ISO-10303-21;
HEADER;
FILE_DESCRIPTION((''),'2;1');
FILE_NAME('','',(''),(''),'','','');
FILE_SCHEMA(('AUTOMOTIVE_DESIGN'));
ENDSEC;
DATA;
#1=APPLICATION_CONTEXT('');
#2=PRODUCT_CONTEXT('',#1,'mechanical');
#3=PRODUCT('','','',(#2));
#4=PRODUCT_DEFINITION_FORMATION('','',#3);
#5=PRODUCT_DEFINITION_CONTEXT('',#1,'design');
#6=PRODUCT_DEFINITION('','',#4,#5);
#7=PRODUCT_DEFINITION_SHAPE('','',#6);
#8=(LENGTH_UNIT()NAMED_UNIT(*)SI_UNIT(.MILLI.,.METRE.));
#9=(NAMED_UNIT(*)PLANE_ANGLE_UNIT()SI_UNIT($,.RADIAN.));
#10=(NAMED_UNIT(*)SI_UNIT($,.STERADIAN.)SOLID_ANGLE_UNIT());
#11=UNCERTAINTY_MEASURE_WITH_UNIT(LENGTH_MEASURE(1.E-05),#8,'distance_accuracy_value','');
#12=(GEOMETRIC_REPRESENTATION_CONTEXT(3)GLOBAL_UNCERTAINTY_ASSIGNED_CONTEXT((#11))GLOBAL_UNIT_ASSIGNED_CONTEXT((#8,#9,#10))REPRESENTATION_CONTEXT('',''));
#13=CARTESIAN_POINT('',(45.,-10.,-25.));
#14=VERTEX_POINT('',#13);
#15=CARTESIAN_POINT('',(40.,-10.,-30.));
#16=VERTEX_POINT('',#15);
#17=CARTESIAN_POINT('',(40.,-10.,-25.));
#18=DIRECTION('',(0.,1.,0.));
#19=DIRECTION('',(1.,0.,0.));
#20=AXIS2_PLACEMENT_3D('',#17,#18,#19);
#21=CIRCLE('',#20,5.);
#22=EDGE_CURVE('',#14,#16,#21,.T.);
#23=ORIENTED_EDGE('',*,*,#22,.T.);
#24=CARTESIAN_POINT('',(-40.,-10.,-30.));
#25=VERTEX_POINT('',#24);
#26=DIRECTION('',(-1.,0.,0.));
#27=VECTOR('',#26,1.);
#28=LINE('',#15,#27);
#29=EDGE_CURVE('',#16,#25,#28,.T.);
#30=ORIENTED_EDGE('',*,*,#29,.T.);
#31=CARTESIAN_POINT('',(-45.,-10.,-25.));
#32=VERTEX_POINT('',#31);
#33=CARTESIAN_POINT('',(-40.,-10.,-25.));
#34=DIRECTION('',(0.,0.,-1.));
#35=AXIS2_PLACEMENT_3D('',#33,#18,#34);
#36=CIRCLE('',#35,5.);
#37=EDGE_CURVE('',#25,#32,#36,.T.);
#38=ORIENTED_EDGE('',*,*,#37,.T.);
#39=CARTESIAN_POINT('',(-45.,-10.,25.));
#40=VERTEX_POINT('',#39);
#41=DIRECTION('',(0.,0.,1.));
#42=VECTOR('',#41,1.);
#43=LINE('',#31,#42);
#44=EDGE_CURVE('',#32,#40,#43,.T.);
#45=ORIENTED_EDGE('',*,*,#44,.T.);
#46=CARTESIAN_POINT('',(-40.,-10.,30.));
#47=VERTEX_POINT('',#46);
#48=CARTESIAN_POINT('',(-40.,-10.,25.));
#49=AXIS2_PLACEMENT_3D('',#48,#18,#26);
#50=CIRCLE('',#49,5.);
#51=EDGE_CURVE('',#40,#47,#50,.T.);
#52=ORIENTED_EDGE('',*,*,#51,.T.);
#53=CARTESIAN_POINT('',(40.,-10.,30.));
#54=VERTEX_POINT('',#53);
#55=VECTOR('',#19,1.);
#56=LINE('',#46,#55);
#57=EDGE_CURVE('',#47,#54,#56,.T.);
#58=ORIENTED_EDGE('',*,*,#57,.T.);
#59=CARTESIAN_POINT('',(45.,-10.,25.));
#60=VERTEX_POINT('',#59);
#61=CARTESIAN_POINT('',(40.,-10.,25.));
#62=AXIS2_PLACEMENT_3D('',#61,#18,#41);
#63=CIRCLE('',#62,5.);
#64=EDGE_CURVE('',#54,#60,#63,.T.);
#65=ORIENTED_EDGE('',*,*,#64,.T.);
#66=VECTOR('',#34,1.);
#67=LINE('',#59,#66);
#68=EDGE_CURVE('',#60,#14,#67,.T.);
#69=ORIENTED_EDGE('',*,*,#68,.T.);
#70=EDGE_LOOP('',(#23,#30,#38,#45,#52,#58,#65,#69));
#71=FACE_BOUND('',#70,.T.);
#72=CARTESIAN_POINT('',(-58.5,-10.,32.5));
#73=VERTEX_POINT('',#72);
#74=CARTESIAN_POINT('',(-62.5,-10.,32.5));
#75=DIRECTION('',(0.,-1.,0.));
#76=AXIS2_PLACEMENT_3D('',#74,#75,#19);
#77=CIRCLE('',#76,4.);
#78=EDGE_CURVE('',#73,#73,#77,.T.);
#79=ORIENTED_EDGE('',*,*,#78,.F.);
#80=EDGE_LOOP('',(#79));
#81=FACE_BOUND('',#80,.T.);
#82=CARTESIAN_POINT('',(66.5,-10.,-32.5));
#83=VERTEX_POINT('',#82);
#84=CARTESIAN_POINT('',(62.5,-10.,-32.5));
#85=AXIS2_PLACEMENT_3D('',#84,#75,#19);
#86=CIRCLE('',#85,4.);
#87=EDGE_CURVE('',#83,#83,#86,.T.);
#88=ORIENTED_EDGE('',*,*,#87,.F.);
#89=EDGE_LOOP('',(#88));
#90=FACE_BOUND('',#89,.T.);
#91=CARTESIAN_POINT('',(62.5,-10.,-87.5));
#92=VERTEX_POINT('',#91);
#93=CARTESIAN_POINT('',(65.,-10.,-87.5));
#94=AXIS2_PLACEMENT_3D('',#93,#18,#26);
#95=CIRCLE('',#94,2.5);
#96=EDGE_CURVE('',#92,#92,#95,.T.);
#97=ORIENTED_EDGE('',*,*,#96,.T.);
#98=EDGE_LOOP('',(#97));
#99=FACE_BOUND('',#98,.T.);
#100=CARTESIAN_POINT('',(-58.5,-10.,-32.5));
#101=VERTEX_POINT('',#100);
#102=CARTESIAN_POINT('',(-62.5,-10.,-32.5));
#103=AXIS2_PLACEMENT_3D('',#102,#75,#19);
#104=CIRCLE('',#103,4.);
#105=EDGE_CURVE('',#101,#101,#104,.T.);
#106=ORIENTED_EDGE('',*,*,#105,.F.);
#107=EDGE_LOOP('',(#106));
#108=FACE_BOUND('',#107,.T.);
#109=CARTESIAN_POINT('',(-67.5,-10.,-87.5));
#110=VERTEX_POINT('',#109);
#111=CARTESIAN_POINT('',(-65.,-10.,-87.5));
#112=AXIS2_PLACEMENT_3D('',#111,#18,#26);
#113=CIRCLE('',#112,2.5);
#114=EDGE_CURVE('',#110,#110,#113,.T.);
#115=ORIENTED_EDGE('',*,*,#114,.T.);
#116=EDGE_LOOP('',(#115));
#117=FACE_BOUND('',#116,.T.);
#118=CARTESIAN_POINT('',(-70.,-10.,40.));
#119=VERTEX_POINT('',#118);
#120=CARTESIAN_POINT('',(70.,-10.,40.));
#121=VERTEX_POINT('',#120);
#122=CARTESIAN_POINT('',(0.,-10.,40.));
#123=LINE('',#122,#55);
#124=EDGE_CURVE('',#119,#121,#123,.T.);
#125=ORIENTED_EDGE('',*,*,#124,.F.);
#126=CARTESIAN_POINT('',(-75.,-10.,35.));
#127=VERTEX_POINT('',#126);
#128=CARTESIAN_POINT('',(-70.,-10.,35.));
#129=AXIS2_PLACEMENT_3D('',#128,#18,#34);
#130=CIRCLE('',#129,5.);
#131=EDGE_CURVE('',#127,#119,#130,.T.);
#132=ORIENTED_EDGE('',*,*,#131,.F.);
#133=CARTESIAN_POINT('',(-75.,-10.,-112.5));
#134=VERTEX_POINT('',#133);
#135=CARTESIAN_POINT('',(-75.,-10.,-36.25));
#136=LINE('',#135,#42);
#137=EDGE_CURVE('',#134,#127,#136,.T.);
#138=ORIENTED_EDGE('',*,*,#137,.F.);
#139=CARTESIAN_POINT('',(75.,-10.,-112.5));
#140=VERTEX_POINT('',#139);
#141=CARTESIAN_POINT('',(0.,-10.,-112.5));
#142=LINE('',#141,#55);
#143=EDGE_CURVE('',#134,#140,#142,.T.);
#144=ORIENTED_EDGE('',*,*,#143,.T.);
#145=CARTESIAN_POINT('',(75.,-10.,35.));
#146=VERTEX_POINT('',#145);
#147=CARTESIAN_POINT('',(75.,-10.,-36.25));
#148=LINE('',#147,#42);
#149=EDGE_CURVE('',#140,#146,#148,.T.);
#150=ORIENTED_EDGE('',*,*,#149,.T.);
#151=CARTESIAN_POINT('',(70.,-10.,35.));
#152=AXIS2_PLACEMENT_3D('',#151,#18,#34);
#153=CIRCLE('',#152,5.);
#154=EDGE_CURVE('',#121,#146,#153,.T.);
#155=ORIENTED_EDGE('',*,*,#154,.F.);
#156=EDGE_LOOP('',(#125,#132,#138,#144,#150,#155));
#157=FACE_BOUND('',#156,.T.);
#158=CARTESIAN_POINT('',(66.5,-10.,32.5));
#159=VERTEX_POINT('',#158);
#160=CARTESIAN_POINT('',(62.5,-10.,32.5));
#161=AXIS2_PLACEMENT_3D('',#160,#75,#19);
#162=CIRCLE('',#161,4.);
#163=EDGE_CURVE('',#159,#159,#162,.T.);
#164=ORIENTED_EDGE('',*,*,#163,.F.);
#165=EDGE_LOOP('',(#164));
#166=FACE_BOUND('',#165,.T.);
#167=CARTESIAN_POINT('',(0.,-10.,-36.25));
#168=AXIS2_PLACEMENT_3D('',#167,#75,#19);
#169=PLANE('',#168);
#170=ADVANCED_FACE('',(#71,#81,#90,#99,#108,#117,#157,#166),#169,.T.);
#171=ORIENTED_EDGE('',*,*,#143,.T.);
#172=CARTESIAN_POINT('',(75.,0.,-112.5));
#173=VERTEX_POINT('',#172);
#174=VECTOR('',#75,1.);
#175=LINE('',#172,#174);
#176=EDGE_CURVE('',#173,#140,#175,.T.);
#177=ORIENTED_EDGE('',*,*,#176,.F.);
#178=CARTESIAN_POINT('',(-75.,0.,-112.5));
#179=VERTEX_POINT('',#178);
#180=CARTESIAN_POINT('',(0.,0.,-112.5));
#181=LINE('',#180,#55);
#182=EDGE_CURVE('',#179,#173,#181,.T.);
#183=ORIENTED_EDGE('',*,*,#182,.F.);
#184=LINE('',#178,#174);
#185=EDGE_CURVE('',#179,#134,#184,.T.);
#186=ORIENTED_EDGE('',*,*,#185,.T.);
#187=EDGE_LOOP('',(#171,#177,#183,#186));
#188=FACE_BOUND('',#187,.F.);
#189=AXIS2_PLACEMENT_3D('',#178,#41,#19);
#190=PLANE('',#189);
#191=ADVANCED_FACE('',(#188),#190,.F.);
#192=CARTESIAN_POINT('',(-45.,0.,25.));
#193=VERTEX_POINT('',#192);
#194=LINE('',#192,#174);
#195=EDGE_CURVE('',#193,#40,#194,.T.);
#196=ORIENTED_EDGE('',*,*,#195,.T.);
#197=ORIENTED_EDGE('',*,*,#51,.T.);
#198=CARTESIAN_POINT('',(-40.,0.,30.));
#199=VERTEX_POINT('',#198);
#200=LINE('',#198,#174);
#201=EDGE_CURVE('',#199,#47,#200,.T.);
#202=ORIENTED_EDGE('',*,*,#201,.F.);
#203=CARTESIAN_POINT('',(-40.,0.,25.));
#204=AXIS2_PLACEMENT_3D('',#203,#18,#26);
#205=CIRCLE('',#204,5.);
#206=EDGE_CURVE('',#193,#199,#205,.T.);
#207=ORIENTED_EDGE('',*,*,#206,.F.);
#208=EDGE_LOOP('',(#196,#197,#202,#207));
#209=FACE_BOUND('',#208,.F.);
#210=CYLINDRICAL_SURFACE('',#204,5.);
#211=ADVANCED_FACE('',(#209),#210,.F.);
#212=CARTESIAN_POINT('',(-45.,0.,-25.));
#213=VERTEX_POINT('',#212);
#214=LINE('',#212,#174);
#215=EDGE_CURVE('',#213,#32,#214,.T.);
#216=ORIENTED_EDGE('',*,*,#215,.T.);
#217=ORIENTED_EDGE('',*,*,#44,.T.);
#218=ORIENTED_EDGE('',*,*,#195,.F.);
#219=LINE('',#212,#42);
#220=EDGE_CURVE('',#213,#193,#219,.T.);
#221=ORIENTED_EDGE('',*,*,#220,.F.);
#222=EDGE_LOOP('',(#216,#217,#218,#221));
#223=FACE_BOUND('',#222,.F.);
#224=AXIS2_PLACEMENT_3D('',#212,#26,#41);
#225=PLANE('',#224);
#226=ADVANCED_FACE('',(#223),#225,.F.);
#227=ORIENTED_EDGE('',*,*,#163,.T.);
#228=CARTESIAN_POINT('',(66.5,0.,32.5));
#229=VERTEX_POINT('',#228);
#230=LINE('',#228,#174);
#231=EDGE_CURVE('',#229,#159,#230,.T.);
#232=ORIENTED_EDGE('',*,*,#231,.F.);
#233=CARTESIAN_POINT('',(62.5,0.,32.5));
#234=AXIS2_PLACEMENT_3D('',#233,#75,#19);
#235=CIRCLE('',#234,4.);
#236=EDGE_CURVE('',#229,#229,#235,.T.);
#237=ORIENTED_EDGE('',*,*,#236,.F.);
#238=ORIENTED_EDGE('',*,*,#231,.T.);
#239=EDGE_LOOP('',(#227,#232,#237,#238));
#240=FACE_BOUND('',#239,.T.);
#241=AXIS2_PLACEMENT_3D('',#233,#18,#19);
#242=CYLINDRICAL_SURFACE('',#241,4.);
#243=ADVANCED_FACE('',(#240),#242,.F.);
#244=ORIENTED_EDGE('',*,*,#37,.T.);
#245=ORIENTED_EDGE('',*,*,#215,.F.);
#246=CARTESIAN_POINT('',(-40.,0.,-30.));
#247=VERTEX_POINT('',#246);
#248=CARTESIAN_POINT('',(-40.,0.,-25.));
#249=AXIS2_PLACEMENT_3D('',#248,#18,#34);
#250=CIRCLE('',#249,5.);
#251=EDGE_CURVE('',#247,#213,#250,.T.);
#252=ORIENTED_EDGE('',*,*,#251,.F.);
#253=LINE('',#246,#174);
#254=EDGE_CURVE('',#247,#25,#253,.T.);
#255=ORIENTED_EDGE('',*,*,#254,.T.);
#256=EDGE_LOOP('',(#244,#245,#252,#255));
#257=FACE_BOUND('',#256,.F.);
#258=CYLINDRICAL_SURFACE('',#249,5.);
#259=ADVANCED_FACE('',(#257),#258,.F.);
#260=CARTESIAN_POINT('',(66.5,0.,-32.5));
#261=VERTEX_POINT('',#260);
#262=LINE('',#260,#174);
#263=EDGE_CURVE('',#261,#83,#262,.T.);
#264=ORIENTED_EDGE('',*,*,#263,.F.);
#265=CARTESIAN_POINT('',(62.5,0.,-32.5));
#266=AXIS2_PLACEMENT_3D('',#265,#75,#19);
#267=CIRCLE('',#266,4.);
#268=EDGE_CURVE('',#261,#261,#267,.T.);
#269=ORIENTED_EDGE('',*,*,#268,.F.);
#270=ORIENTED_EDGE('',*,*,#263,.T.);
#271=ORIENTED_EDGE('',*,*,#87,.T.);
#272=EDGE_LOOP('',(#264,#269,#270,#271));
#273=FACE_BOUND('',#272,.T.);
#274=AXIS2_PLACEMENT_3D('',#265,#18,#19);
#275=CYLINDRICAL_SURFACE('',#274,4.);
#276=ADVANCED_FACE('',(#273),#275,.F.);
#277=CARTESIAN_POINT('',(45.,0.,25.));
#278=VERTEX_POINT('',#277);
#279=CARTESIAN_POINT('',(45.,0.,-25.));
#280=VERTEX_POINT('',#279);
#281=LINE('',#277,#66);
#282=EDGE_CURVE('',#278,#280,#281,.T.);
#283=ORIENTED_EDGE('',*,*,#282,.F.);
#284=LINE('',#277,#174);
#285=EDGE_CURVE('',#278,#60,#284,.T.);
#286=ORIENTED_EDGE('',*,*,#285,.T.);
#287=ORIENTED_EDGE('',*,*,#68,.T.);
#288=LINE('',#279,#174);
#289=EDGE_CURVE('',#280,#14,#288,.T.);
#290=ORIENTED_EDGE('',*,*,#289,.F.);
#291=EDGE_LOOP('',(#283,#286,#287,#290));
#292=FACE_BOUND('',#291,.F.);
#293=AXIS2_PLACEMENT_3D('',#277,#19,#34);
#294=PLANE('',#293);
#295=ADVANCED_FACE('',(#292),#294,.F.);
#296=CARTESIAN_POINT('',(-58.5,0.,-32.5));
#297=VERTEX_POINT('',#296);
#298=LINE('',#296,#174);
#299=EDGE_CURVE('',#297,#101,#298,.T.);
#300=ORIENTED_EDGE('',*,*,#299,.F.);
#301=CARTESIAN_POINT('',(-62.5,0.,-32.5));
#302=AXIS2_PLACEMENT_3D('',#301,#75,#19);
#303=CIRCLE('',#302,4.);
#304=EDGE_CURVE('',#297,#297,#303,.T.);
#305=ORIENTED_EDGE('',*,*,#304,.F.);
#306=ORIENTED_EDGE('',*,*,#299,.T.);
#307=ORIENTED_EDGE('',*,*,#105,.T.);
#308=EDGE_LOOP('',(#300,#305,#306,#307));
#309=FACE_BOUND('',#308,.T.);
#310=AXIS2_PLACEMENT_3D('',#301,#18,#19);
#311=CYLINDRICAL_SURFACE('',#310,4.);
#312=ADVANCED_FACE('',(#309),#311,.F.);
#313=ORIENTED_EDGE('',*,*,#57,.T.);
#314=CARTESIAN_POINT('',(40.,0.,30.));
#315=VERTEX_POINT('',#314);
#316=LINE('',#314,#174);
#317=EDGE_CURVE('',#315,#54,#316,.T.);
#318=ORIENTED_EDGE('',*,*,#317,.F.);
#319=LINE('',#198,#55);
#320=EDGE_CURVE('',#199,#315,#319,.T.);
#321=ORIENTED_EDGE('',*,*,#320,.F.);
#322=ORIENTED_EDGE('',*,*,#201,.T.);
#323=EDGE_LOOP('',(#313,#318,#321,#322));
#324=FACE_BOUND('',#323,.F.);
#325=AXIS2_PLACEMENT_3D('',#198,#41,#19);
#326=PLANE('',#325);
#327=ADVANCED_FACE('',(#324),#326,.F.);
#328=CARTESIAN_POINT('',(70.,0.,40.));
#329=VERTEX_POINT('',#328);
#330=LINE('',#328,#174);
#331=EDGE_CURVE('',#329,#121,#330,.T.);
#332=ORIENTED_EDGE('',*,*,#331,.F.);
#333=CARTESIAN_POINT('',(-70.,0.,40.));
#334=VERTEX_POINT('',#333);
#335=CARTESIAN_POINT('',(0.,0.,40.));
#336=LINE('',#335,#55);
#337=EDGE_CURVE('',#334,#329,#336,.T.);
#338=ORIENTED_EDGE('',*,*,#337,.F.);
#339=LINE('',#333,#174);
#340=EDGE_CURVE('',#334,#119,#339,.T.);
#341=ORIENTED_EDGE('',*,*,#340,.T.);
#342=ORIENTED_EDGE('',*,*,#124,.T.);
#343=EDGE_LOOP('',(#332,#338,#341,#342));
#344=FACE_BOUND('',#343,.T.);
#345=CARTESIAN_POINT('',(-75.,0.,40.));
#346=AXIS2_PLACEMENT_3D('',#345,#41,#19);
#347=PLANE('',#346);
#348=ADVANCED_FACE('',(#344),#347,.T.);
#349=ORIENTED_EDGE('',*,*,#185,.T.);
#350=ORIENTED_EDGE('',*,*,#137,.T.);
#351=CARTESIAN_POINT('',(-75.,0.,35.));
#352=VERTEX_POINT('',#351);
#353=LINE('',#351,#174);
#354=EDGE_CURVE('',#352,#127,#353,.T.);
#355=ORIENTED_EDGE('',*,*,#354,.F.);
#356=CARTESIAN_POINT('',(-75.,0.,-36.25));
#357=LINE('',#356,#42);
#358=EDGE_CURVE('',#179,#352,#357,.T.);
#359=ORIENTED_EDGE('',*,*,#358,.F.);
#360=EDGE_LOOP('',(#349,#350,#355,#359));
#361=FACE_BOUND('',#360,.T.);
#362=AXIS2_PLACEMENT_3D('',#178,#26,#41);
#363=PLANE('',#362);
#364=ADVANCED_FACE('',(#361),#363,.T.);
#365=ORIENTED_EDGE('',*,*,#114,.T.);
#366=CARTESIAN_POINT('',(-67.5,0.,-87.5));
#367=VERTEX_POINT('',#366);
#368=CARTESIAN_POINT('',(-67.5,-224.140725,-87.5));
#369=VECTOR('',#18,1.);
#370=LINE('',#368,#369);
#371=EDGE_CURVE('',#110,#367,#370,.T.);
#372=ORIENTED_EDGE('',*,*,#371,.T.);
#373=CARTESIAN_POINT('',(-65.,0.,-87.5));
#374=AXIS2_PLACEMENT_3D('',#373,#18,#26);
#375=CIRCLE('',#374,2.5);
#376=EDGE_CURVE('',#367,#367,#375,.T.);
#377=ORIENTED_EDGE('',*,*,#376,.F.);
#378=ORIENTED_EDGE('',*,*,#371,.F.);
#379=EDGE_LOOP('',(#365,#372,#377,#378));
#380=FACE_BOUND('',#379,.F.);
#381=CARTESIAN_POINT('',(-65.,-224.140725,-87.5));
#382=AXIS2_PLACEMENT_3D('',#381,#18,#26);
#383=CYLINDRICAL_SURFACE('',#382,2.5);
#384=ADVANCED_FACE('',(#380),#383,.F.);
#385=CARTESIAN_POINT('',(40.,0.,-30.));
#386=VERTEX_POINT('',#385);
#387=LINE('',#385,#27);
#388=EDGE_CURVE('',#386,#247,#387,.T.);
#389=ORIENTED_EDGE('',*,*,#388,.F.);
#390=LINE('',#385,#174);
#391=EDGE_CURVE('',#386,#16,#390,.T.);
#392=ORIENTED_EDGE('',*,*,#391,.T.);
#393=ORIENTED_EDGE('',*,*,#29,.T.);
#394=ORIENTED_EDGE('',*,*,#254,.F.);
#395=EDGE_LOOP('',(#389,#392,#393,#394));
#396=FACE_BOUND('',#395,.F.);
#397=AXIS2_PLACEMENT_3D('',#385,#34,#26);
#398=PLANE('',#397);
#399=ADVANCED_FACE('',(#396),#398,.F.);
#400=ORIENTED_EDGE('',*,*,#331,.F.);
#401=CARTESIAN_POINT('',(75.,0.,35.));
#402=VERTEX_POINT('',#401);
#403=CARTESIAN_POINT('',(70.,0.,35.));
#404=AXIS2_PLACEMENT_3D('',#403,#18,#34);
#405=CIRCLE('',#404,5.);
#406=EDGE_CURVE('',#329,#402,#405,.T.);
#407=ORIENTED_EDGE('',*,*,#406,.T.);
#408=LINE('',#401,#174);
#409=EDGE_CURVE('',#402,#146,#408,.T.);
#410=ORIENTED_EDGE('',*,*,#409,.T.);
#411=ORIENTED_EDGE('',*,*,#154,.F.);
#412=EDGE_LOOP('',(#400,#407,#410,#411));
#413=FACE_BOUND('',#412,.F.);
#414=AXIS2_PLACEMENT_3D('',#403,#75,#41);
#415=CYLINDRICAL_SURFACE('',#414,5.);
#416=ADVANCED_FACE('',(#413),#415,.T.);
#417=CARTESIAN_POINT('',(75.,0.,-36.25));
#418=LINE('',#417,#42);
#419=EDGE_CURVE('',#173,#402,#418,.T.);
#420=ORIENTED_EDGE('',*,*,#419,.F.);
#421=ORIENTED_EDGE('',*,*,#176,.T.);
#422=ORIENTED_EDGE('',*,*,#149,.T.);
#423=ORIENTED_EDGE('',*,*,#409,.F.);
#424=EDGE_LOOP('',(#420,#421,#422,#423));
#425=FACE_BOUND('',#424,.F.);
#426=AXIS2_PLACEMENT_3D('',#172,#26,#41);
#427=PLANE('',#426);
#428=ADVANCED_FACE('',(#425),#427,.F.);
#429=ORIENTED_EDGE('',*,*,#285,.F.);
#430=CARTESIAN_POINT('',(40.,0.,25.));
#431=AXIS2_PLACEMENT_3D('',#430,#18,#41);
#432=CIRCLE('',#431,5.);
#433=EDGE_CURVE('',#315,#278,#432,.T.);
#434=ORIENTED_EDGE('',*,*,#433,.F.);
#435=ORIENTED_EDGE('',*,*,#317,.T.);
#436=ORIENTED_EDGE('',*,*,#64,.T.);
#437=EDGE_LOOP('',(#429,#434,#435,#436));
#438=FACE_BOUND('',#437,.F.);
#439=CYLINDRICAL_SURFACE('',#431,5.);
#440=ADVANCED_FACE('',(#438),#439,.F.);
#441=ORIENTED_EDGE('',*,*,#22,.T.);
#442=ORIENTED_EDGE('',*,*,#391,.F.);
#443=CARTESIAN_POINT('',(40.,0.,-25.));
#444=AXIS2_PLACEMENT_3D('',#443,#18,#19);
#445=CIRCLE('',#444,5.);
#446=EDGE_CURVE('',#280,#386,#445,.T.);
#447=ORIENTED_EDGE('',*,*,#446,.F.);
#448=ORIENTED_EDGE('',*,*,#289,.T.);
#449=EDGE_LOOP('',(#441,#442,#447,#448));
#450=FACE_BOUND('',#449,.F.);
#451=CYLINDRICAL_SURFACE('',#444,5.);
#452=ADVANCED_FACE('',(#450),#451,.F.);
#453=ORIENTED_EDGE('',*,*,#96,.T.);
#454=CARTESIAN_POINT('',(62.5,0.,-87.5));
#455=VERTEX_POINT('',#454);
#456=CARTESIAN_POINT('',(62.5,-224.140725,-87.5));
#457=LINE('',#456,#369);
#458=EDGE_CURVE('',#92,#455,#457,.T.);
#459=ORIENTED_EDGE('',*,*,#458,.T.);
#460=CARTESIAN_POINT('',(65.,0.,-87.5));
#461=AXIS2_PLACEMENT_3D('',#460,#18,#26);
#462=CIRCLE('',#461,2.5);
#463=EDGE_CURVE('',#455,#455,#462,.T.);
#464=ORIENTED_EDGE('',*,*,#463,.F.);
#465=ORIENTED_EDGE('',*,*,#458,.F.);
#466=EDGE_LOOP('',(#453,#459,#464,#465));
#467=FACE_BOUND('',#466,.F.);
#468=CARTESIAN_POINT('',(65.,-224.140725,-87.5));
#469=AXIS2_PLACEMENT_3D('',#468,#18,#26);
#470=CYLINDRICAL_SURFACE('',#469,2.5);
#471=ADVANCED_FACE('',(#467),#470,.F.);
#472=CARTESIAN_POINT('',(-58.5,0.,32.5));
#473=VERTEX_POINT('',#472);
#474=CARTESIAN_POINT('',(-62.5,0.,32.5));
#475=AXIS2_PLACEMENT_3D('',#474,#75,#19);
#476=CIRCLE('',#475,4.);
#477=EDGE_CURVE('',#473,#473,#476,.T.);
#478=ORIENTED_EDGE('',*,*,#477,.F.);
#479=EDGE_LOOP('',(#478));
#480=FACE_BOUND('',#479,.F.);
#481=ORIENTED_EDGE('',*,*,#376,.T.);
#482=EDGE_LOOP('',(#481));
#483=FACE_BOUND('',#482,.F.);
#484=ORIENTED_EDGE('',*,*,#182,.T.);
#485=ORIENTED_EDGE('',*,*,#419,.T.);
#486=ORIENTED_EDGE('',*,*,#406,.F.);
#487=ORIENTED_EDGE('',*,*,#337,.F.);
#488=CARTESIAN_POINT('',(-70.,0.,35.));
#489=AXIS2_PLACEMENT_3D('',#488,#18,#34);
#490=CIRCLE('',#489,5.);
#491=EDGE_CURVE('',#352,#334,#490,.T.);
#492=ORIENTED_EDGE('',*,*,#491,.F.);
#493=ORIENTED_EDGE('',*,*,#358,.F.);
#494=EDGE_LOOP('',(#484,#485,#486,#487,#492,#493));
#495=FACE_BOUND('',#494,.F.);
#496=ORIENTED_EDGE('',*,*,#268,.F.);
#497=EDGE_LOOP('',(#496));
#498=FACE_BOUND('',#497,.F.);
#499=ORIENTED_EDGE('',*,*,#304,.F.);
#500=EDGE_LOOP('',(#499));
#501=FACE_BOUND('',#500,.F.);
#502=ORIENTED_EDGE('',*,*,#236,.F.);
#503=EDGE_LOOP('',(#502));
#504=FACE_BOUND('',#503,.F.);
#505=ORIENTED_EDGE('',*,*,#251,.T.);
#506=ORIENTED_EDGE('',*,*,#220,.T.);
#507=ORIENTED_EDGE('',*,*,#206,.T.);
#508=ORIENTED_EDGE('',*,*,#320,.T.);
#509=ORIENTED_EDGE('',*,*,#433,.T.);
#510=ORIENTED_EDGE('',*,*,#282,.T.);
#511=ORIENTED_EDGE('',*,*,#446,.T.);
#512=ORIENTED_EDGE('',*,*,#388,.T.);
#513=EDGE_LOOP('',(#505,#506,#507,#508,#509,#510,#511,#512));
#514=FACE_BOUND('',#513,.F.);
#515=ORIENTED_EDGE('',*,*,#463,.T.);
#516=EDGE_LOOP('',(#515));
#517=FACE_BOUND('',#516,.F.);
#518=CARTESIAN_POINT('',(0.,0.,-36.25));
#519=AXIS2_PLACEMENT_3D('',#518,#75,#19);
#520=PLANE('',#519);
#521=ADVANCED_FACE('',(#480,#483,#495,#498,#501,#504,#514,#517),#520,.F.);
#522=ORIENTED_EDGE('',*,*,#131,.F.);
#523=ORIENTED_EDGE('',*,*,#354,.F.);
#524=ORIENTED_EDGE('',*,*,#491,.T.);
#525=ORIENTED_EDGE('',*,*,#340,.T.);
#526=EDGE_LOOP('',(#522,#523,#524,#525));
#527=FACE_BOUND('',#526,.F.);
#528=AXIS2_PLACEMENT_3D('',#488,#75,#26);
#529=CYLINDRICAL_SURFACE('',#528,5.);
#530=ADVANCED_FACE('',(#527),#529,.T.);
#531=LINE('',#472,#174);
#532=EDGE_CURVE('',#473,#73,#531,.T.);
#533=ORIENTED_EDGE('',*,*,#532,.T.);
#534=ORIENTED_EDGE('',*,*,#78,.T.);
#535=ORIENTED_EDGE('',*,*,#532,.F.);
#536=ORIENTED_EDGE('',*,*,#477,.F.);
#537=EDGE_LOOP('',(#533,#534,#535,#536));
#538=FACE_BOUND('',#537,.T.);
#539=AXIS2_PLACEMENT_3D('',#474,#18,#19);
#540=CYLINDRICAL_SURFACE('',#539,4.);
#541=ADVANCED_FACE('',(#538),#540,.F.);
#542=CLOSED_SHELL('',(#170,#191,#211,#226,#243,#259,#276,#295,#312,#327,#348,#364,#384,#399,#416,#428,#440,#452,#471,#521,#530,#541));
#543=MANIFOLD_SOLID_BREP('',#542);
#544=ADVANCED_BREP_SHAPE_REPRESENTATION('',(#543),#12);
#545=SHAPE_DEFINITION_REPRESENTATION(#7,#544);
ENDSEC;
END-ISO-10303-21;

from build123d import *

# Parameters (mm, degrees)
F0_W     = 150
F0_H     = 152.5
F0_R     = 4
F1_DEPTH = 10
F2_R     = 5
F4_D     = 5


with BuildPart() as f1:
    # F0 (on Front) → F1 (new body)
    with BuildSketch(Plane.XZ):
        with Locations((0, -36.25)):
            Rectangle(F0_W, F0_H)
        with Locations((-62.5, -32.5)):
            Circle(F0_R, mode=Mode.SUBTRACT)
        with Locations((-62.5, 32.5)):
            Circle(F0_R, mode=Mode.SUBTRACT)
        with BuildLine():
            Line((-40, 30), (40, 30))
            ThreePointArc((40, 30), (43.5355339059, 28.5355339059), (45, 25))
            Line((45, 25), (45, -25))
            ThreePointArc((45, -25), (43.5355339059, -28.5355339059), (40, -30))
            Line((40, -30), (-40, -30))
            ThreePointArc((-40, -30), (-43.5355339059, -28.5355339059), (-45, -25))
            Line((-45, -25), (-45, 25))
            ThreePointArc((-45, 25), (-43.5355339059, 28.5355339059), (-40, 30))
        make_face(mode=Mode.SUBTRACT)
        with Locations((62.5, -32.5)):
            Circle(F0_R, mode=Mode.SUBTRACT)
        with Locations((62.5, 32.5)):
            Circle(F0_R, mode=Mode.SUBTRACT)
    extrude(amount=F1_DEPTH)

    # F2
    f2_edges = [f1.edges().sort_by_distance(p)[0] for p in [
        (-75, -5, 40),
        (75, -5, 40),
    ]]
    fillet(f2_edges, radius=F2_R)

    # F4 (through all)
    with Locations(Plane.XZ.offset(10)):
        with Locations((65, -87.5), (-65, -87.5)):
            Hole(F4_D / 2)


solid = f1.part
